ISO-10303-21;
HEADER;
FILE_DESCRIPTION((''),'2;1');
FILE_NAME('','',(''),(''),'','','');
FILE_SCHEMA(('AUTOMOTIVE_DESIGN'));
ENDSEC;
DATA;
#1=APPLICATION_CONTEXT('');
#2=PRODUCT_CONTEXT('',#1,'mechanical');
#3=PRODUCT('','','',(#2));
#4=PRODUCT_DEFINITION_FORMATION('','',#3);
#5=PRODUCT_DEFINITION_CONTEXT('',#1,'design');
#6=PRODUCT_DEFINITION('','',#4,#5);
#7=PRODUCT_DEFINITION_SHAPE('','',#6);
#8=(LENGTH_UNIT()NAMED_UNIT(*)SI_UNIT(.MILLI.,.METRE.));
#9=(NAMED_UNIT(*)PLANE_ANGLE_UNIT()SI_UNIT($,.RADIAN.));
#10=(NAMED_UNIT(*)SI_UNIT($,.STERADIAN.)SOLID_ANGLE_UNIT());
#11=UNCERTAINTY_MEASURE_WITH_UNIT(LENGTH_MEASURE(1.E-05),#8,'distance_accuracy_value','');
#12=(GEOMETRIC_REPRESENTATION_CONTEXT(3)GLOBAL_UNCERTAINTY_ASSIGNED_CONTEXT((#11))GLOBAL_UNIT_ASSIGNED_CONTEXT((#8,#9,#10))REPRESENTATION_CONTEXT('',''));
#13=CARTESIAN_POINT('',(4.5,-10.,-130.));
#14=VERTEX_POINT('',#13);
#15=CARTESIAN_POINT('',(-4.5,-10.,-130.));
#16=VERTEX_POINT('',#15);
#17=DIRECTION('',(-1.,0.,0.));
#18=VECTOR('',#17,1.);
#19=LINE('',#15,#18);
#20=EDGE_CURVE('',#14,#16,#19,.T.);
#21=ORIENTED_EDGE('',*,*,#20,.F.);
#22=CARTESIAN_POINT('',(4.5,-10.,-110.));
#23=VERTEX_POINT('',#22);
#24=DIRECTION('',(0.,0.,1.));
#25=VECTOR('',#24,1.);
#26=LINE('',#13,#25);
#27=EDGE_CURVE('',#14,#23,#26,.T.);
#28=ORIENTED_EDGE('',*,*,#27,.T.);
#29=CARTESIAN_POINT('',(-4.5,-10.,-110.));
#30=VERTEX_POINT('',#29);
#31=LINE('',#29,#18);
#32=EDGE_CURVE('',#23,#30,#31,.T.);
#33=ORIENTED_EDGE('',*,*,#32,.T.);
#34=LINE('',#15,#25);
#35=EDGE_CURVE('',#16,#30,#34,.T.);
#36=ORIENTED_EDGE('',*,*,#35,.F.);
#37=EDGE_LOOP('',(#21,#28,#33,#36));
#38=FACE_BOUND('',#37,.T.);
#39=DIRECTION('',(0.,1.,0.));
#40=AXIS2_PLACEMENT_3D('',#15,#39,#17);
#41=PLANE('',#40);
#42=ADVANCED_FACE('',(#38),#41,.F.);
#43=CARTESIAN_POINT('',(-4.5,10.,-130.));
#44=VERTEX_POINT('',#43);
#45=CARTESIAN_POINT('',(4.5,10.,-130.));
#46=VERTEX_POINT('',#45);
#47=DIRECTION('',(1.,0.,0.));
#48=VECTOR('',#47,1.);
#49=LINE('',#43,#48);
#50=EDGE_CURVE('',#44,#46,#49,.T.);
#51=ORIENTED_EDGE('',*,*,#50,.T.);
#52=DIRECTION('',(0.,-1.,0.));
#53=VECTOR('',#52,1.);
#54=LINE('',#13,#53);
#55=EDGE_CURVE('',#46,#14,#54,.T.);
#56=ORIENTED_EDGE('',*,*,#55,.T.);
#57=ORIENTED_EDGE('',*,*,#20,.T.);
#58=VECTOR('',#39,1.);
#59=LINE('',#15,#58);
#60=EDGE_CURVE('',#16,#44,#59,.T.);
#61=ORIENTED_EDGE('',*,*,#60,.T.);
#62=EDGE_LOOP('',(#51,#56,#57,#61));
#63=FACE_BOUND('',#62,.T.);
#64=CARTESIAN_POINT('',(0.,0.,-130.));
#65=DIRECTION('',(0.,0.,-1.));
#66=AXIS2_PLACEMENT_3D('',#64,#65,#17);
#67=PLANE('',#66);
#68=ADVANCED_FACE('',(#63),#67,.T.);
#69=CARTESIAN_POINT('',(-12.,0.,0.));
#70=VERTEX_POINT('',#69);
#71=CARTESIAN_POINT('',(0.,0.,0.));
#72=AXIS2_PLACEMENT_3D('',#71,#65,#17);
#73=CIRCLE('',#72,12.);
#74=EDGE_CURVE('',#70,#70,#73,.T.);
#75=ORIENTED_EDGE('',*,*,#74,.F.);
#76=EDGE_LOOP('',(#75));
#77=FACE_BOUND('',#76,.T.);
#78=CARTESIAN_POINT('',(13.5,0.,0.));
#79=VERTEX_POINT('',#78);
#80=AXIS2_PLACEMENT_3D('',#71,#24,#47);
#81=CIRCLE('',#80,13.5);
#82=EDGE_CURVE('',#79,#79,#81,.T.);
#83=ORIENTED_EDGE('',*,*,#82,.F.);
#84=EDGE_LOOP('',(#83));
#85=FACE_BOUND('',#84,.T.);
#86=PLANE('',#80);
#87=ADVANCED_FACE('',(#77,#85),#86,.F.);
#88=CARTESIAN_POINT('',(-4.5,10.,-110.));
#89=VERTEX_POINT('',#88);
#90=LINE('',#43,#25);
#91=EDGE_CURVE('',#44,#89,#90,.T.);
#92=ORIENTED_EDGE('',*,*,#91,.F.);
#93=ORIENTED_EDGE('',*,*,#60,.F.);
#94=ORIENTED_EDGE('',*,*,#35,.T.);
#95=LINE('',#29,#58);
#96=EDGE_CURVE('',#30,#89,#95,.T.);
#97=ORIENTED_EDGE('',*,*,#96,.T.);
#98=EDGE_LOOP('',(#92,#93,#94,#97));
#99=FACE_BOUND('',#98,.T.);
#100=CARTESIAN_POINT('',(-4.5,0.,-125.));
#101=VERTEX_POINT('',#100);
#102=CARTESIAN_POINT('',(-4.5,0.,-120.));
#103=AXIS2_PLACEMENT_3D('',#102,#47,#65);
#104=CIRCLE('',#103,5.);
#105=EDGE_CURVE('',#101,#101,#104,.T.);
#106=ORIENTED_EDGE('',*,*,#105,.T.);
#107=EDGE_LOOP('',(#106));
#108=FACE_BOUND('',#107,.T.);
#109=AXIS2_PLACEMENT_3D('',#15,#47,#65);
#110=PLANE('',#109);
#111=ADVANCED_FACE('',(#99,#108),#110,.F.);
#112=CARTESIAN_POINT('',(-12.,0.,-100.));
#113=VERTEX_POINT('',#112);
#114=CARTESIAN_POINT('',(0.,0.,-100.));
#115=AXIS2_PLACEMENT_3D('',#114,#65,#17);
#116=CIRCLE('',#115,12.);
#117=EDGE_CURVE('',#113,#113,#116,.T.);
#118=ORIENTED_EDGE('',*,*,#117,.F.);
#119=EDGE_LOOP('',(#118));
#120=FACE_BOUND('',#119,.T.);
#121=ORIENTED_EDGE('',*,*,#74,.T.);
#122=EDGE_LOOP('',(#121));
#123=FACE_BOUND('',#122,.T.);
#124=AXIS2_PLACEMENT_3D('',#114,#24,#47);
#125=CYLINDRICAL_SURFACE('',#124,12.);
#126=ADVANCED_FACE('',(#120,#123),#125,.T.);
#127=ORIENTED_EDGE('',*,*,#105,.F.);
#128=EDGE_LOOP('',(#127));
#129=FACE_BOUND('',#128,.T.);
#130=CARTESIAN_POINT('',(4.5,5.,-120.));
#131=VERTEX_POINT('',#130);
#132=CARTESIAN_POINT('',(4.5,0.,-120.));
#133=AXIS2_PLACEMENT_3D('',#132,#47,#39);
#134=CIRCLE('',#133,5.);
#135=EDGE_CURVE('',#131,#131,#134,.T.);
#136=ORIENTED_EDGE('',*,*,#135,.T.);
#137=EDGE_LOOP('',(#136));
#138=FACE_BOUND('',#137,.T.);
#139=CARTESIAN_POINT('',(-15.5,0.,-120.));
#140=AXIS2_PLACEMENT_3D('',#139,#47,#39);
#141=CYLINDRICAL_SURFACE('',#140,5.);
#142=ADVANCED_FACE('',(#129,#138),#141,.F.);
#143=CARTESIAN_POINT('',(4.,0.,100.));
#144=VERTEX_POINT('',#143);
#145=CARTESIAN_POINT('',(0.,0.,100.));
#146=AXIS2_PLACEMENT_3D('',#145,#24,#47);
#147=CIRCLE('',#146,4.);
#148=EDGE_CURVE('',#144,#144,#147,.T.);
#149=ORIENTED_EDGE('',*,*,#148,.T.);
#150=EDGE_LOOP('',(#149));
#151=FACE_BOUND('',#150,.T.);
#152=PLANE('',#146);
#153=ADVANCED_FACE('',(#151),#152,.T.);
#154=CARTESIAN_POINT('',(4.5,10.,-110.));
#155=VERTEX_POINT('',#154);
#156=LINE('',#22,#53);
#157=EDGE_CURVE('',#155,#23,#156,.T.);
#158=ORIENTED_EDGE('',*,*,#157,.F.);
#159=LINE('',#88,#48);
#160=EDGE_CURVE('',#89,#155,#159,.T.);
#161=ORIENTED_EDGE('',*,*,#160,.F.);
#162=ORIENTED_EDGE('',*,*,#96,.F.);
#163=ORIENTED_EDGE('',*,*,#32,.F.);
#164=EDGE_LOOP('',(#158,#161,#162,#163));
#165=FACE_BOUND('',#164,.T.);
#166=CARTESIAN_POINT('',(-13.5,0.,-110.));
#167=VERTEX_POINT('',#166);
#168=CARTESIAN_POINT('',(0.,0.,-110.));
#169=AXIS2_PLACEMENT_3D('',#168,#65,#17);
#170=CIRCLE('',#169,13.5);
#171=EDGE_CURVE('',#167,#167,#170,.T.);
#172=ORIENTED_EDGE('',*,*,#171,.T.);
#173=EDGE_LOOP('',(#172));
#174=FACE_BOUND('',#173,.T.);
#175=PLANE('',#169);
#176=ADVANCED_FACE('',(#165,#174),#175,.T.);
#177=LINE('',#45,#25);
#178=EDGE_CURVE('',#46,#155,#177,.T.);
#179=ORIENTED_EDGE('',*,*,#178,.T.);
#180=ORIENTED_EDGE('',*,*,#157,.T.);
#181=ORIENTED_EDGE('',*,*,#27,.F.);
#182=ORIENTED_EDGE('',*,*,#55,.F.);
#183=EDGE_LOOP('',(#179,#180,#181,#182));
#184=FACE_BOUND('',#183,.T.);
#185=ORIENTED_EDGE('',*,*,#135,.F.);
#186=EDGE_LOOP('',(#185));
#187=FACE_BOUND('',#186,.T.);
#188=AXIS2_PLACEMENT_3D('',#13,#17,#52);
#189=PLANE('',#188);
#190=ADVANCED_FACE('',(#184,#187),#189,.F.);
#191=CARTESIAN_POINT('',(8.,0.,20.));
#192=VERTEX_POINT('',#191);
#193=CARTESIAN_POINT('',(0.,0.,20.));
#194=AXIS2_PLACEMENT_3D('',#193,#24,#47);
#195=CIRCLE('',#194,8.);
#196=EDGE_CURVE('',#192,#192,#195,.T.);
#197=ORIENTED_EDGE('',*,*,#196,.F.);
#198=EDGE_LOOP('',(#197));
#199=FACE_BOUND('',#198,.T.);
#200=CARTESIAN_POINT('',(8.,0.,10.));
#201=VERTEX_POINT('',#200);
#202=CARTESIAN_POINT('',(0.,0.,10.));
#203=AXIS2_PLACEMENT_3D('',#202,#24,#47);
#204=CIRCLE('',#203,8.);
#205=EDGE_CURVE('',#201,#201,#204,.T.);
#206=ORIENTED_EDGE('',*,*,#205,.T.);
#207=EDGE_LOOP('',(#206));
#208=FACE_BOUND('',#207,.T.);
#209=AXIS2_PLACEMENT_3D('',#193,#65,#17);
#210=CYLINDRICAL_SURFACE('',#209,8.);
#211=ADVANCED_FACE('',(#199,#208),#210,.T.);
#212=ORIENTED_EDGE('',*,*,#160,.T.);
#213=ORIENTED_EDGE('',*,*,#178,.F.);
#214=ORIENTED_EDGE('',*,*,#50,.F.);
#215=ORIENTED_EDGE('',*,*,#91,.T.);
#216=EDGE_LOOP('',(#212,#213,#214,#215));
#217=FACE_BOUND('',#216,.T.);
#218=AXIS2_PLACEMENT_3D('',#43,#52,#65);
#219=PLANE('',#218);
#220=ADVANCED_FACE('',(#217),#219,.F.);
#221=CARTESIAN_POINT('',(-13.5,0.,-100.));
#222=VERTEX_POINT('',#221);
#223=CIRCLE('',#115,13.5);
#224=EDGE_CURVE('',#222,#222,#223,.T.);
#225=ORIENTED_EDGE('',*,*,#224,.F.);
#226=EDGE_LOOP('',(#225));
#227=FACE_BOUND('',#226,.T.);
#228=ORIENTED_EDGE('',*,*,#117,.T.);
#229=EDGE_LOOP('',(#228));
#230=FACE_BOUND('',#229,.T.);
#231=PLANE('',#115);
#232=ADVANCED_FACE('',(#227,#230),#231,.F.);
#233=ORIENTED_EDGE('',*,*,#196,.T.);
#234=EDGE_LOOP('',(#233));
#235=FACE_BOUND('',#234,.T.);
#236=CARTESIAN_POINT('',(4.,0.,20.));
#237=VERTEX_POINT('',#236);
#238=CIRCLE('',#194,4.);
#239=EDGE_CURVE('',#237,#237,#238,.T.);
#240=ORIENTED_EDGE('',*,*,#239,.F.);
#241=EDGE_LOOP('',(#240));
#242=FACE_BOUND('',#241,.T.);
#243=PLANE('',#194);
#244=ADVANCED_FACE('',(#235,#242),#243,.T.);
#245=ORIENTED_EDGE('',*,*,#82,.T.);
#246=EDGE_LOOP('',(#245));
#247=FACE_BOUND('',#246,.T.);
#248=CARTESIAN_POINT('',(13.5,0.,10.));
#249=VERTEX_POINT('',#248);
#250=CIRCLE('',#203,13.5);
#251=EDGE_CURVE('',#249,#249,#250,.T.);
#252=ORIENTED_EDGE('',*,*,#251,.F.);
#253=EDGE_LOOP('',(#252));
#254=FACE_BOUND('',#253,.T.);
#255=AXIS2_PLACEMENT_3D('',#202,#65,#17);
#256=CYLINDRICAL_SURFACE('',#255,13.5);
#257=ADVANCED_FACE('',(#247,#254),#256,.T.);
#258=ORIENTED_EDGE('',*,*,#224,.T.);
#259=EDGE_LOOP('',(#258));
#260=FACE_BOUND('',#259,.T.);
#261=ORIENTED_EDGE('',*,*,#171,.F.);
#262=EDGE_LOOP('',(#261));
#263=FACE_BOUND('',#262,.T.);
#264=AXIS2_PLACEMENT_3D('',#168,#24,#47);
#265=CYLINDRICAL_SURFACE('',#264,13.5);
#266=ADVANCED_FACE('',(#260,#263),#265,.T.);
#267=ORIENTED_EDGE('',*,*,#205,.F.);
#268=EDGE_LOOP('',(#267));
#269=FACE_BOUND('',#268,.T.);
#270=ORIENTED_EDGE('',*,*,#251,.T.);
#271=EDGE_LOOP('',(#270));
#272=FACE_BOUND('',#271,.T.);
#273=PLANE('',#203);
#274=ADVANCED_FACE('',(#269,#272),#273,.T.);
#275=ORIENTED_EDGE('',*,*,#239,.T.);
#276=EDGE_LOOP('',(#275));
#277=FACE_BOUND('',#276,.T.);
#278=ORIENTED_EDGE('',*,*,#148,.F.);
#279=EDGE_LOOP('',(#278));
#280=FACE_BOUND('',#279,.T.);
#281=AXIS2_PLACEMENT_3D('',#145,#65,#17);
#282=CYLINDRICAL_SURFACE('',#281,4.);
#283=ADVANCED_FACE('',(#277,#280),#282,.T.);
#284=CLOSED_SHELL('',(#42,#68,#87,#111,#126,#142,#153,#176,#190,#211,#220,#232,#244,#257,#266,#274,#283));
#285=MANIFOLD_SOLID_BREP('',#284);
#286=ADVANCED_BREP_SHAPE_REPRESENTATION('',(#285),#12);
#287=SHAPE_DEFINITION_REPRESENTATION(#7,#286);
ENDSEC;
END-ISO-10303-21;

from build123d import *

# Parameters (mm, degrees)
SKETCH1_R           = 13.5
BOSS_EXTRUDE1_DEPTH = 10
SKETCH2_R           = 8
BOSS_EXTRUDE2_DEPTH = 10
SKETCH3_R           = 12
BOSS_EXTRUDE3_DEPTH = 100
BOSS_EXTRUDE4_START = 10
SKETCH4_R           = 13.5
BOSS_EXTRUDE4_DEPTH = 10
SKETCH5_W           = 9
SKETCH5_H           = 20
BOSS_EXTRUDE5_DEPTH = 20
SKETCH6_R           = 5
CUT_EXTRUDE1_DEPTH  = 20
SKETCH8_R           = 4
BOSS_EXTRUDE6_DEPTH = 80


with BuildPart() as part:
    # Sketch1 → Boss-Extrude1 (new body)
    with BuildSketch(Plane.XY):
        Circle(SKETCH1_R)
    extrude(amount=BOSS_EXTRUDE1_DEPTH)

    # Sketch2 → Boss-Extrude2 (add)
    with BuildSketch(Plane.XY.offset(10)):
        Circle(SKETCH2_R)
    extrude(amount=BOSS_EXTRUDE2_DEPTH)

    # Sketch3 → Boss-Extrude3 (add)
    with BuildSketch(Plane(origin=(0, 0, 0), x_dir=(-1, 0, 0), z_dir=(0, 0, -1))):
        Circle(SKETCH3_R)
    extrude(amount=BOSS_EXTRUDE3_DEPTH)

    # Sketch4 → Boss-Extrude4 (add)
    with BuildSketch(Plane(origin=(0, 0, -100), x_dir=(-1, 0, 0), z_dir=(0, 0, -1)).offset(BOSS_EXTRUDE4_START)):
        with Locations(Location((0, 0, 0), (0, 0, 180))):
            Circle(SKETCH4_R)
    extrude(amount=-BOSS_EXTRUDE4_DEPTH)

    # Sketch5 → Boss-Extrude5 (add)
    with BuildSketch(Plane(origin=(0, 0, -110), x_dir=(-1, 0, 0), z_dir=(0, 0, -1))):
        Rectangle(SKETCH5_W, SKETCH5_H)
    extrude(amount=BOSS_EXTRUDE5_DEPTH)

    # Sketch6 → Cut-Extrude1 (cut)
    with BuildSketch(Plane(origin=(4.5, 0, 0), x_dir=(0, 0, -1), z_dir=(1, 0, 0))):
        with Locations(Location((120, 0, 0), (0, 0, 90))):
            Circle(SKETCH6_R)
    extrude(amount=-CUT_EXTRUDE1_DEPTH, mode=Mode.SUBTRACT)

    # Sketch8 → Boss-Extrude6 (add)
    with BuildSketch(Plane.XY.offset(20)):
        Circle(SKETCH8_R)
    extrude(amount=BOSS_EXTRUDE6_DEPTH)


solid = part.part
